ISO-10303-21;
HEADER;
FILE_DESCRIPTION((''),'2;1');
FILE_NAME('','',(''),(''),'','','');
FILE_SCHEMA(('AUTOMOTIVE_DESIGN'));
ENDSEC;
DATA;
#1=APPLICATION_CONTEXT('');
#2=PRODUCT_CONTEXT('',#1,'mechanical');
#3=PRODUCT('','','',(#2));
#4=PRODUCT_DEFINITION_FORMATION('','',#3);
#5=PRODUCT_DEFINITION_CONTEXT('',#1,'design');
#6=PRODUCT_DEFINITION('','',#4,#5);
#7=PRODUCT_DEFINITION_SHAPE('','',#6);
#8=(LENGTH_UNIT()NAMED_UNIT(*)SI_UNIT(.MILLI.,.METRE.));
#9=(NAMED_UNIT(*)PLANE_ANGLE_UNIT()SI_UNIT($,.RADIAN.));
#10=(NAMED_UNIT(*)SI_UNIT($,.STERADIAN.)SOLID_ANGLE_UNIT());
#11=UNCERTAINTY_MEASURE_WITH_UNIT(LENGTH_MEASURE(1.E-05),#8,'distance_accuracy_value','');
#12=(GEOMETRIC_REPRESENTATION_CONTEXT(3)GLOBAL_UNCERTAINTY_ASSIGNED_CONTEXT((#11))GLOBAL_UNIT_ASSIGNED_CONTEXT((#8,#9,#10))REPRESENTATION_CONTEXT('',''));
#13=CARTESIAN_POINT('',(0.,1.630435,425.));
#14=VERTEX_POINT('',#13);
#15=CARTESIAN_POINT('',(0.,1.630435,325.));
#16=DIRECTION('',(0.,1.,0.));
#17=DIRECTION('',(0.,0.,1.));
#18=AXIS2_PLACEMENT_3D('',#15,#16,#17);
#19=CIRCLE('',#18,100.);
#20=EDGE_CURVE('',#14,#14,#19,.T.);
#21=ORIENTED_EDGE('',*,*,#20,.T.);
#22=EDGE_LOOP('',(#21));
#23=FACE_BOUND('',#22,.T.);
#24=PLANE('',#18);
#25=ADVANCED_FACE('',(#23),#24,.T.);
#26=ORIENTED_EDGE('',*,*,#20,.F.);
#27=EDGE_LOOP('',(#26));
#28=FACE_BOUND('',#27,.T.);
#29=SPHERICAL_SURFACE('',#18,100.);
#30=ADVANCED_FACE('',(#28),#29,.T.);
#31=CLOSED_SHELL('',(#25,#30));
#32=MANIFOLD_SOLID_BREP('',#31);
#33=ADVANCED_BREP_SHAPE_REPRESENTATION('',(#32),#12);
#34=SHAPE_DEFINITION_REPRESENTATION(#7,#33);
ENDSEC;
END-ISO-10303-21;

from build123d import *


with BuildPart() as part:
    # Sketch1 → Revolve1 (revolve)
    with BuildSketch(Plane(origin=(0, 0, 0), x_dir=(0, 0, -1), z_dir=(1, 0, 0))):
        with BuildLine():
            Line((-325, 1.630434783), (-425, 1.630434783))
            ThreePointArc((-425, 1.630434783), (-395.710678119, -69.080243336), (-325, -98.369565217))
            Line((-325, -98.369565217), (-325, 1.630434783))
        make_face()
    revolve(axis=Axis((0, 77.231866008, 325), (0, -1, 0)))


solid = part.part
